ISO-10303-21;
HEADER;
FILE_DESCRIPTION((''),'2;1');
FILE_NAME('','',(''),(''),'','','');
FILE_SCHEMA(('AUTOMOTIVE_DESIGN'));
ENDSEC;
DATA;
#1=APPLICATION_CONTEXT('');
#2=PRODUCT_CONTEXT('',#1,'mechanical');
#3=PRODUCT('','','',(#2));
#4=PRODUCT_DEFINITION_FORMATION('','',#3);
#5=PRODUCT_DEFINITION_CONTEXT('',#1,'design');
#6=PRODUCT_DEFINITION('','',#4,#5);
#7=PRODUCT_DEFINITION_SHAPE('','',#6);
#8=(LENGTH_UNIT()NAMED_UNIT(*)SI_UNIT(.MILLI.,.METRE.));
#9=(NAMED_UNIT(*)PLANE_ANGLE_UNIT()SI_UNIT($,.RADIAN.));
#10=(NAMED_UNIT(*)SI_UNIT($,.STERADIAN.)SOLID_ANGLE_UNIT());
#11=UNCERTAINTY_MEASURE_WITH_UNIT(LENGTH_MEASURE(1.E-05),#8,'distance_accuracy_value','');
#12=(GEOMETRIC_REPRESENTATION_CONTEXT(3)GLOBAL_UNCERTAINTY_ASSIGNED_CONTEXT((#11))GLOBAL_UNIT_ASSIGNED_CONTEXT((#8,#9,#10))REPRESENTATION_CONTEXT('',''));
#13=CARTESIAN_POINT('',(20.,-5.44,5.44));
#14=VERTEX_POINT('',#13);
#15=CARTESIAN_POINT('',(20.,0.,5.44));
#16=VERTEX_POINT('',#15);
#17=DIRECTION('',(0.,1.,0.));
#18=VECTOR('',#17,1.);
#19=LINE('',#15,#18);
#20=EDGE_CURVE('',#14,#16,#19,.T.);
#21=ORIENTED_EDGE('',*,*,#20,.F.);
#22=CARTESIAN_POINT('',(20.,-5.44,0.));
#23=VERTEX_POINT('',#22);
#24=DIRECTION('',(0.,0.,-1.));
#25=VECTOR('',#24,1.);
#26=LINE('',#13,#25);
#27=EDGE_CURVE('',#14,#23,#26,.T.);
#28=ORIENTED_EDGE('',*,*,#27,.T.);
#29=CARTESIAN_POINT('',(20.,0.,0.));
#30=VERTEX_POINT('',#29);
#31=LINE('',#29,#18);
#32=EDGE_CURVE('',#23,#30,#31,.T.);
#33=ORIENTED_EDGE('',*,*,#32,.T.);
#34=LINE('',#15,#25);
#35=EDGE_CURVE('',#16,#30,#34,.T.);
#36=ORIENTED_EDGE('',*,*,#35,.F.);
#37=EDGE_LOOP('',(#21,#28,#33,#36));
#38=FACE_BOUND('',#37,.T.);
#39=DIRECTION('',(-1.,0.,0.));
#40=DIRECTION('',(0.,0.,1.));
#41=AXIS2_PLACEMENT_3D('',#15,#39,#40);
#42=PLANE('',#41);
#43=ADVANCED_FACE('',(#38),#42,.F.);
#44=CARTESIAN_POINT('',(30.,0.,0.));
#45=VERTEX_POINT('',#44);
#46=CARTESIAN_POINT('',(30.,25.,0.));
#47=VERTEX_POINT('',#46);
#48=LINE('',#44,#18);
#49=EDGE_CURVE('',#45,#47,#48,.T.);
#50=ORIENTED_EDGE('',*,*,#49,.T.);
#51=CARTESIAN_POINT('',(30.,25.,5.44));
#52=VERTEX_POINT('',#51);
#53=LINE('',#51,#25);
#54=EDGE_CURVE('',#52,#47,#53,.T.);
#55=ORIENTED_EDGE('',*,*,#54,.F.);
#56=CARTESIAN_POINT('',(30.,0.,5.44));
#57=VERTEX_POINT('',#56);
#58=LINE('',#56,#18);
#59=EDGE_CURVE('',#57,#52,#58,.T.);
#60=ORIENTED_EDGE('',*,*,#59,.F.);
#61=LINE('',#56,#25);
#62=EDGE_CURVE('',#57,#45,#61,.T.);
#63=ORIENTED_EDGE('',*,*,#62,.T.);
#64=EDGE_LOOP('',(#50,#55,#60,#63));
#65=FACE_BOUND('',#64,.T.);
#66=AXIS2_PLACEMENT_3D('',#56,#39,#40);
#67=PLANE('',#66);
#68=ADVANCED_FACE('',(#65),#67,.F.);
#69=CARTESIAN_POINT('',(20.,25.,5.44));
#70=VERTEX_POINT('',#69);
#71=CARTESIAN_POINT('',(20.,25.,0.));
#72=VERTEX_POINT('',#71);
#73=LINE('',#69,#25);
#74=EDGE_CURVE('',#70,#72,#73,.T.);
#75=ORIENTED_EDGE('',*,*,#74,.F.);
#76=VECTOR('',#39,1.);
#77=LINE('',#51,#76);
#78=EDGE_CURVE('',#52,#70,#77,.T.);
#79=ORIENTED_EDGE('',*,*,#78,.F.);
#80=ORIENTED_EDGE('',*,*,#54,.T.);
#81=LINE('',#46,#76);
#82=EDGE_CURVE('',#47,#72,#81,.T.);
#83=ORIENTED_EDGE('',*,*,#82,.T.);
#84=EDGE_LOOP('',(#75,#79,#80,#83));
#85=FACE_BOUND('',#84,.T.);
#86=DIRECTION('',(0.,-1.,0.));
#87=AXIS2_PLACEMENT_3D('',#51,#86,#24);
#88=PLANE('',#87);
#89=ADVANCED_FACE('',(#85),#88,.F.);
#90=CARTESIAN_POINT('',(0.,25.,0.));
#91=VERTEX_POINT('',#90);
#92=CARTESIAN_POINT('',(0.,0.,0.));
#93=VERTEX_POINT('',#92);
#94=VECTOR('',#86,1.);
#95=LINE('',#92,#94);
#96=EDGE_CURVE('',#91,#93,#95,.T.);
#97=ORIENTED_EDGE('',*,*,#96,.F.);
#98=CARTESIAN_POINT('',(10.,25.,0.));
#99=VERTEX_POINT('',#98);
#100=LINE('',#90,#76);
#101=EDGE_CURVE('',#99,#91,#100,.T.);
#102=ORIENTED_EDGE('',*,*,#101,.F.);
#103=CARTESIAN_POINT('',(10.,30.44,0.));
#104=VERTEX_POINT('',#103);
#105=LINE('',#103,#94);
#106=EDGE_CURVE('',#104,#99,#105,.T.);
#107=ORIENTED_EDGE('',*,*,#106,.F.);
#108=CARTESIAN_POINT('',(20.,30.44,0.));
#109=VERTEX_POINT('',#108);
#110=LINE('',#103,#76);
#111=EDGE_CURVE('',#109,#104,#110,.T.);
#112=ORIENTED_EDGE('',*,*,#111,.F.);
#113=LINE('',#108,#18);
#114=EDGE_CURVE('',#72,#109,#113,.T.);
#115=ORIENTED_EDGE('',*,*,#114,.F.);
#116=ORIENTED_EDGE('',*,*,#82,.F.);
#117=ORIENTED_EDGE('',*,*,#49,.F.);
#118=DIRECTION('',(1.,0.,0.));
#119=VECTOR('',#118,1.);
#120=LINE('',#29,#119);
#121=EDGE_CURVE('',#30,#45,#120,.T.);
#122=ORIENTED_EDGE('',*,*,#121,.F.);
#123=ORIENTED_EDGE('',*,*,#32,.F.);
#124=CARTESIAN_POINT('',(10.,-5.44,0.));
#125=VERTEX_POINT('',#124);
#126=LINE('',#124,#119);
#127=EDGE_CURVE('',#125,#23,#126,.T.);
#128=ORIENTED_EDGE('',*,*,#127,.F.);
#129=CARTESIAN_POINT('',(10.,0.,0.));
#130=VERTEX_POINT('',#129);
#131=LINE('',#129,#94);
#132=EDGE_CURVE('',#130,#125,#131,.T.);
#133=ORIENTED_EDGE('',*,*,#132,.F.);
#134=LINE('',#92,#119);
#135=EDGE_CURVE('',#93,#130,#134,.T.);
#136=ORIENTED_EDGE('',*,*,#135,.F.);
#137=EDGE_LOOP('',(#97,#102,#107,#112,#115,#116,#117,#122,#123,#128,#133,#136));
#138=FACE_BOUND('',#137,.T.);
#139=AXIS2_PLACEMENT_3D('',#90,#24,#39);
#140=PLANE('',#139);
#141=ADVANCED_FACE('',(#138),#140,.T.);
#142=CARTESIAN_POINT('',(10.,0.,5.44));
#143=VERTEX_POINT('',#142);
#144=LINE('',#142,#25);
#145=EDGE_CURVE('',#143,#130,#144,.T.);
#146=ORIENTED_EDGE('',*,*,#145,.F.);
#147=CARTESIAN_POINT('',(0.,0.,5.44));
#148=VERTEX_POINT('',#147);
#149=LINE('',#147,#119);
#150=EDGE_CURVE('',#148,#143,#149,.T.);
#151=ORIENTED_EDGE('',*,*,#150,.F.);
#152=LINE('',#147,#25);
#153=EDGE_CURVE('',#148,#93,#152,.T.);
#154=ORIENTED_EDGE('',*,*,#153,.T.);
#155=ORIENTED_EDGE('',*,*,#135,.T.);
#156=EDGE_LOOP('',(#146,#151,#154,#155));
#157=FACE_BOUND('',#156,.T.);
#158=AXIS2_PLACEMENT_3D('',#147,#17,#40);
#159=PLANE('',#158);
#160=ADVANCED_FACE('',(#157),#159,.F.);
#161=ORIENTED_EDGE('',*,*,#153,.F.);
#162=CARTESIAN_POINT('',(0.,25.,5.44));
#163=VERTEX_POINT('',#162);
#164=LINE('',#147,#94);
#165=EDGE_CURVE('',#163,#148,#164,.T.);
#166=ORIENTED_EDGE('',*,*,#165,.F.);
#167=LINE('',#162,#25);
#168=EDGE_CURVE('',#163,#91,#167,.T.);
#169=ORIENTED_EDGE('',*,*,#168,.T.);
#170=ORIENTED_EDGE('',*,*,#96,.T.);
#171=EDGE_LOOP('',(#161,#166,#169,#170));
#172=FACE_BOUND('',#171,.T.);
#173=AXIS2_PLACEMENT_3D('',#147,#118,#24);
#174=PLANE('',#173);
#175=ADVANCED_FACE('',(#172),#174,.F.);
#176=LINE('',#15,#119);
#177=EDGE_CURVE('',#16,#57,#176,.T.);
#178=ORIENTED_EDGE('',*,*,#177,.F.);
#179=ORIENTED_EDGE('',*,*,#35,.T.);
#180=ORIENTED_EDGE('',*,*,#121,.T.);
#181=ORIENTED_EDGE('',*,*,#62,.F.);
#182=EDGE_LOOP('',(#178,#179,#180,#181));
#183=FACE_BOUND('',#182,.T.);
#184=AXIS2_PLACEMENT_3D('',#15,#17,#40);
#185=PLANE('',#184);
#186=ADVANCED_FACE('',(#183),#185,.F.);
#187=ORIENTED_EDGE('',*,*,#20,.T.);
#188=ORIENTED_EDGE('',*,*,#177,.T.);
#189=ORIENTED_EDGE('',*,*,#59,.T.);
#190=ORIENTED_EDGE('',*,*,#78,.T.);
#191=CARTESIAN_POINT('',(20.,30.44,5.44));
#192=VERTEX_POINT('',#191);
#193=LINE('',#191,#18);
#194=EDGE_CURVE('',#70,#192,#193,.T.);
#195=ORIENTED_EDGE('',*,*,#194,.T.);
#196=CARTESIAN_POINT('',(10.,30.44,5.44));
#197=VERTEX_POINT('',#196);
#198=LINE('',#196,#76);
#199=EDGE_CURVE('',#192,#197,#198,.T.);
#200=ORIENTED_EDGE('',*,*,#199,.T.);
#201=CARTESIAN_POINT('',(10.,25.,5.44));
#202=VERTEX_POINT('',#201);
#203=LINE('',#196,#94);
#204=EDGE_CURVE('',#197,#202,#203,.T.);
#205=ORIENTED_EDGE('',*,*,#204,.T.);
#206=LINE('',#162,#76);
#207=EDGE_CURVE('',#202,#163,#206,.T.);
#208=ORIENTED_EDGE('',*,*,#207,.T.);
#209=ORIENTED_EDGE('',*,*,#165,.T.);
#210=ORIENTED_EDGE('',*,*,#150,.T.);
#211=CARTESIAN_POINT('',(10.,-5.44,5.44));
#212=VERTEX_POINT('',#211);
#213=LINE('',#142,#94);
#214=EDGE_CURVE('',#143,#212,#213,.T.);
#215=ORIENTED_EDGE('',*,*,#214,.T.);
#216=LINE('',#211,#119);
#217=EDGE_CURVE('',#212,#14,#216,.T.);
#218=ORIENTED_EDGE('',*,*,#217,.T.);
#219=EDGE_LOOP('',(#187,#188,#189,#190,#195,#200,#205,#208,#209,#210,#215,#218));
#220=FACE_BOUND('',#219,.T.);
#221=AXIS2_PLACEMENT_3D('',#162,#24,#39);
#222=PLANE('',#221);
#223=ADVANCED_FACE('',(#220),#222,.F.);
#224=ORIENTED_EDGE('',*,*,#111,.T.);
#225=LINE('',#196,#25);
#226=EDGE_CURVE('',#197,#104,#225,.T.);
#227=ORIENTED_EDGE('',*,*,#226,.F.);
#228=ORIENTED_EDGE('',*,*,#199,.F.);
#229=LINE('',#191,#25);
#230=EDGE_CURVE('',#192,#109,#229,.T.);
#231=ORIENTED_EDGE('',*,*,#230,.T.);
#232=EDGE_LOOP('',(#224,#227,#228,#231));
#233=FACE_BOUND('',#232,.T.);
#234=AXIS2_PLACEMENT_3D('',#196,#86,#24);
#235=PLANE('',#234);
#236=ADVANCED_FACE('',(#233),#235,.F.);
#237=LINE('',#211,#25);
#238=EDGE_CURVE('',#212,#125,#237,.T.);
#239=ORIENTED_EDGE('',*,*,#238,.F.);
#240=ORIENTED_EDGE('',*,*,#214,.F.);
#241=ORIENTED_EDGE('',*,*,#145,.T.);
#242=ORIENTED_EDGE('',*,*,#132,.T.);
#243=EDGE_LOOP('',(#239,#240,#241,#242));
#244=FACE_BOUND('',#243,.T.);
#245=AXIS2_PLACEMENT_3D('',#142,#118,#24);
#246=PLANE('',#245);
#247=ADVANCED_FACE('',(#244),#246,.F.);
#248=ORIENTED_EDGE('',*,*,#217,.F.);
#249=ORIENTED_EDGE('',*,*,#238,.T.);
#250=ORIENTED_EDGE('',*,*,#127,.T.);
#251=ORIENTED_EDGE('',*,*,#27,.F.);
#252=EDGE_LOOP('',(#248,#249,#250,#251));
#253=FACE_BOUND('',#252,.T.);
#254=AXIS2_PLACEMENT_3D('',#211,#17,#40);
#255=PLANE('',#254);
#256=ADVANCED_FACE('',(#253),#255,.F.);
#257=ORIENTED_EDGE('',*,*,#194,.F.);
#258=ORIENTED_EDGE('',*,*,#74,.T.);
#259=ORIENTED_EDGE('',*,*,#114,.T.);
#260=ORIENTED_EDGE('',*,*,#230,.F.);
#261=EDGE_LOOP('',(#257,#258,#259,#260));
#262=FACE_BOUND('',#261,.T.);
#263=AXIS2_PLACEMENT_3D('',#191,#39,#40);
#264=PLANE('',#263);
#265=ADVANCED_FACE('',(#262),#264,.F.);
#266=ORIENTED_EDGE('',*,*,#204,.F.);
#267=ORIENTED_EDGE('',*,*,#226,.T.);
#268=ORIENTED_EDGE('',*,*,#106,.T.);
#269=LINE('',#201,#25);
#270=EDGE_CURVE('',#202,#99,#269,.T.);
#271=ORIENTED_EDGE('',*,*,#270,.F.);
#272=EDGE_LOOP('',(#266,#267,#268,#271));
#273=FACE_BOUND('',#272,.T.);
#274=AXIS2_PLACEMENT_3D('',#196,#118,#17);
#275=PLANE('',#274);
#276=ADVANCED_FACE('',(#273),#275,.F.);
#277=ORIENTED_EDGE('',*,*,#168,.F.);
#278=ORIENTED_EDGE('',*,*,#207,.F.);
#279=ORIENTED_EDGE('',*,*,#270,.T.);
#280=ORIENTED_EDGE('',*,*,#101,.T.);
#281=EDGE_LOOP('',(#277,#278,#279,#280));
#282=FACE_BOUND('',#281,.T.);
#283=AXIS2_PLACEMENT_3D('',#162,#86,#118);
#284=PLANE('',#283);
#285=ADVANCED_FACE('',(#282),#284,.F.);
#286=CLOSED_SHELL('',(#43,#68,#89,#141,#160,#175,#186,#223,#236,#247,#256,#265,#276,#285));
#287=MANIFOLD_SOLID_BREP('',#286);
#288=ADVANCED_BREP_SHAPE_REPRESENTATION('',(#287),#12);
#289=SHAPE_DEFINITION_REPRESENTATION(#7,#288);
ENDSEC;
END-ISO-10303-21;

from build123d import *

# Parameters (mm, degrees)
BOSS_EXTRUDE1_DEPTH = 5.44


with BuildPart() as part:
    # Sketch1 → Boss-Extrude1 (new body)
    with BuildSketch(Plane.XY):
        Polygon((20, 0), (30, 0), (30, 25), (20, 25), (20, 30.44), (10, 30.44), (10, 25), (0, 25), (0, 0), (10, 0), (10, -5.44), (20, -5.44), align=None)
    extrude(amount=BOSS_EXTRUDE1_DEPTH)


solid = part.part
